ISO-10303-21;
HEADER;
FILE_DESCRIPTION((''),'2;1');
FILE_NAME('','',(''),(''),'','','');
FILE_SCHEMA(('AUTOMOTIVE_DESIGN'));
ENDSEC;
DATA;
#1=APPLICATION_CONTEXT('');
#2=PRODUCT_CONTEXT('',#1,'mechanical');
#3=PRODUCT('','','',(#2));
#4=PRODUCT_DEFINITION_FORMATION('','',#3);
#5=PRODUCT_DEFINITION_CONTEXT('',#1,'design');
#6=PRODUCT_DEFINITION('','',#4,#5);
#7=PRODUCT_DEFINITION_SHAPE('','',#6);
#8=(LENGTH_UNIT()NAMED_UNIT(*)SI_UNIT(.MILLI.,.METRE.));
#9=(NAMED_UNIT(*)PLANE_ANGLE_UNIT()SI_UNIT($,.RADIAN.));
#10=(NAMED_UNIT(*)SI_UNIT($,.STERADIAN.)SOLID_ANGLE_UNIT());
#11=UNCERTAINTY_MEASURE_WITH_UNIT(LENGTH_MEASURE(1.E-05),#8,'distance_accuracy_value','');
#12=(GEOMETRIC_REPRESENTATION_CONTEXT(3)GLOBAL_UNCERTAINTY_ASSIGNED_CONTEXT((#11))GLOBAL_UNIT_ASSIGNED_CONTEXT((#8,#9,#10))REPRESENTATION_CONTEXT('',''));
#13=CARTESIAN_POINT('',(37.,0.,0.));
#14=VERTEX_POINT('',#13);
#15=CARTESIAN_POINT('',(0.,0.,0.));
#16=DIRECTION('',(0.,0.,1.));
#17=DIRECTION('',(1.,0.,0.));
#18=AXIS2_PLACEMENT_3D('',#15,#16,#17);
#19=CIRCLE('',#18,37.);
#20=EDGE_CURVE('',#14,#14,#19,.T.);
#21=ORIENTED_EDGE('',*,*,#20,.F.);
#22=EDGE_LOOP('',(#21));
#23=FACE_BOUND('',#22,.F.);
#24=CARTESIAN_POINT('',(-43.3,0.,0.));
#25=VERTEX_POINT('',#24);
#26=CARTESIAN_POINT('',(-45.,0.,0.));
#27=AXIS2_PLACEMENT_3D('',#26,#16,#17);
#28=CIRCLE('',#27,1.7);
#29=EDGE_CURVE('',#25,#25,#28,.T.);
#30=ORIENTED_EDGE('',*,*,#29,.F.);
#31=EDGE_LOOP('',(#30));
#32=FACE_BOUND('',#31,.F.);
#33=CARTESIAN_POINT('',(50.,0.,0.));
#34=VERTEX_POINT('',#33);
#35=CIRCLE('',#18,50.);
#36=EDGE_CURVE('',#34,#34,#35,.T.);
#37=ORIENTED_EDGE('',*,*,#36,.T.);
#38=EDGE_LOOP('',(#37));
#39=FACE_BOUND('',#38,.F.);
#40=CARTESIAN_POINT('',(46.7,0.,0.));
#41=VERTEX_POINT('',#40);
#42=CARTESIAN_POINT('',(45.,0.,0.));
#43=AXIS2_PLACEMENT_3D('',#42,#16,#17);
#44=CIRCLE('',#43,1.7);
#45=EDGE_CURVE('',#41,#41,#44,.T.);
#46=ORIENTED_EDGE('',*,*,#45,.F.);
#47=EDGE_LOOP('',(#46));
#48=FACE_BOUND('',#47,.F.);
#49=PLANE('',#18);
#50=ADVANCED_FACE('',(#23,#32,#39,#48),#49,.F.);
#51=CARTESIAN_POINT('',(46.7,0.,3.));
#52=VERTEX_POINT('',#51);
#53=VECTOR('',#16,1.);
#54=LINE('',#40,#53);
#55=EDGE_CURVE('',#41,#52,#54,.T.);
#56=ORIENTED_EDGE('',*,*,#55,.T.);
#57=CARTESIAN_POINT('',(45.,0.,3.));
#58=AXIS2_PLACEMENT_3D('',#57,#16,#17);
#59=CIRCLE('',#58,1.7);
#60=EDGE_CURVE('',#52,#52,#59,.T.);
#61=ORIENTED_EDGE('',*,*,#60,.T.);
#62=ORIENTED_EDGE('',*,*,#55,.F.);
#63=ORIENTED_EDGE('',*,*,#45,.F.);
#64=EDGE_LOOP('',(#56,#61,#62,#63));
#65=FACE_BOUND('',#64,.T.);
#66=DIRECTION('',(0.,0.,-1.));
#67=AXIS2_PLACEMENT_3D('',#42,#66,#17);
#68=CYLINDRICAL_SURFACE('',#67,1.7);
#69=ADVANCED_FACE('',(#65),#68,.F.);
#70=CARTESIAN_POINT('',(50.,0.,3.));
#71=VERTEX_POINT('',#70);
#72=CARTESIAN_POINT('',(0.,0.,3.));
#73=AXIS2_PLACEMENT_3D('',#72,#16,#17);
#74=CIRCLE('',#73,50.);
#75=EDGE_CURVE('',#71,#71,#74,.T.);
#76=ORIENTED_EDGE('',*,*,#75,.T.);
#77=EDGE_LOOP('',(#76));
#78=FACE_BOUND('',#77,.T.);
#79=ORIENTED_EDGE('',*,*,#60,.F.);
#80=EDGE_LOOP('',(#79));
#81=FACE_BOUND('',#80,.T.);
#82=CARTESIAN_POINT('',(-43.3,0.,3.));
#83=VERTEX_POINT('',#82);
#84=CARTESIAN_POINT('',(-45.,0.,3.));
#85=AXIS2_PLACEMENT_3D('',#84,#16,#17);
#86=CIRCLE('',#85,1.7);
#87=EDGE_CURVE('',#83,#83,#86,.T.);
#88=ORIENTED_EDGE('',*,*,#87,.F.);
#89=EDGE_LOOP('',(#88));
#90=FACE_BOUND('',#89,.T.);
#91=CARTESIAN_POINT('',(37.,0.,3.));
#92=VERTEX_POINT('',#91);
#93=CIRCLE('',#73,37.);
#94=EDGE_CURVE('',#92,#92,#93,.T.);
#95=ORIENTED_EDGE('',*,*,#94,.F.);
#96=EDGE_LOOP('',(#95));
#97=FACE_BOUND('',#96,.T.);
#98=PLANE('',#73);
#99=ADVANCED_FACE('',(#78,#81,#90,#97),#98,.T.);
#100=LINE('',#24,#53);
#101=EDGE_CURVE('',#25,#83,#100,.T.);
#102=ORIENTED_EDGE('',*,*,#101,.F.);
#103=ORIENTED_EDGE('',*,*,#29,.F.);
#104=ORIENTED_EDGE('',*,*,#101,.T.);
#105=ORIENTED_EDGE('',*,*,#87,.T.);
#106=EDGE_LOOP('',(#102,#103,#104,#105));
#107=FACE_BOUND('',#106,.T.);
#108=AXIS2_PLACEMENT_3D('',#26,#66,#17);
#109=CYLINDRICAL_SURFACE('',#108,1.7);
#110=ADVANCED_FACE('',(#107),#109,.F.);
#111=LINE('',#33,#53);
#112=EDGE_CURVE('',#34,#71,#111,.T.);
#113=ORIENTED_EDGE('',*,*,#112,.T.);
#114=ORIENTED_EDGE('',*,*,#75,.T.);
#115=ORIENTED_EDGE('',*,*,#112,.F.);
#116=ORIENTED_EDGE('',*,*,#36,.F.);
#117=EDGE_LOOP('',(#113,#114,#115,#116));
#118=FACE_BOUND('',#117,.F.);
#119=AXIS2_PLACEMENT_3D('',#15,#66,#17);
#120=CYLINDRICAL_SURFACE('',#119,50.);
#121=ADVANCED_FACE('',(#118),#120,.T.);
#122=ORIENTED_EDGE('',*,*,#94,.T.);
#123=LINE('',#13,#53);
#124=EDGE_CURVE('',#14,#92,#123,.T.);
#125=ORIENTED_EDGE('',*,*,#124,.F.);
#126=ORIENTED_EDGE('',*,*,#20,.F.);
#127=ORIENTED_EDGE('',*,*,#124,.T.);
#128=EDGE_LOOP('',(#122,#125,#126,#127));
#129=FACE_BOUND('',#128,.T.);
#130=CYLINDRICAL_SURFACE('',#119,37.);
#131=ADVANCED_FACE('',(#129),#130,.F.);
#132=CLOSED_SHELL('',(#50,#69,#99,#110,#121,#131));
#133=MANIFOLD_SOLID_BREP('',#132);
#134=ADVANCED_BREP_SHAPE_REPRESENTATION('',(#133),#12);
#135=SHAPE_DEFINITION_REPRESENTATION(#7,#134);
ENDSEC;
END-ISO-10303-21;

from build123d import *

# Parameters (mm, degrees)
SKETCH_R   = 50
SKETCH_R_2 = 1.7
SKETCH_R_3 = 37
PAD_DEPTH  = 3


with BuildPart() as part:
    # Sketch → Pad (new body)
    with BuildSketch(Plane.XY):
        Circle(SKETCH_R)
        with Locations((-45, 0)):
            Circle(SKETCH_R_2, mode=Mode.SUBTRACT)
        with Locations((45, 0)):
            Circle(SKETCH_R_2, mode=Mode.SUBTRACT)
        Circle(SKETCH_R_3, mode=Mode.SUBTRACT)
    extrude(amount=PAD_DEPTH)


solid = part.part
